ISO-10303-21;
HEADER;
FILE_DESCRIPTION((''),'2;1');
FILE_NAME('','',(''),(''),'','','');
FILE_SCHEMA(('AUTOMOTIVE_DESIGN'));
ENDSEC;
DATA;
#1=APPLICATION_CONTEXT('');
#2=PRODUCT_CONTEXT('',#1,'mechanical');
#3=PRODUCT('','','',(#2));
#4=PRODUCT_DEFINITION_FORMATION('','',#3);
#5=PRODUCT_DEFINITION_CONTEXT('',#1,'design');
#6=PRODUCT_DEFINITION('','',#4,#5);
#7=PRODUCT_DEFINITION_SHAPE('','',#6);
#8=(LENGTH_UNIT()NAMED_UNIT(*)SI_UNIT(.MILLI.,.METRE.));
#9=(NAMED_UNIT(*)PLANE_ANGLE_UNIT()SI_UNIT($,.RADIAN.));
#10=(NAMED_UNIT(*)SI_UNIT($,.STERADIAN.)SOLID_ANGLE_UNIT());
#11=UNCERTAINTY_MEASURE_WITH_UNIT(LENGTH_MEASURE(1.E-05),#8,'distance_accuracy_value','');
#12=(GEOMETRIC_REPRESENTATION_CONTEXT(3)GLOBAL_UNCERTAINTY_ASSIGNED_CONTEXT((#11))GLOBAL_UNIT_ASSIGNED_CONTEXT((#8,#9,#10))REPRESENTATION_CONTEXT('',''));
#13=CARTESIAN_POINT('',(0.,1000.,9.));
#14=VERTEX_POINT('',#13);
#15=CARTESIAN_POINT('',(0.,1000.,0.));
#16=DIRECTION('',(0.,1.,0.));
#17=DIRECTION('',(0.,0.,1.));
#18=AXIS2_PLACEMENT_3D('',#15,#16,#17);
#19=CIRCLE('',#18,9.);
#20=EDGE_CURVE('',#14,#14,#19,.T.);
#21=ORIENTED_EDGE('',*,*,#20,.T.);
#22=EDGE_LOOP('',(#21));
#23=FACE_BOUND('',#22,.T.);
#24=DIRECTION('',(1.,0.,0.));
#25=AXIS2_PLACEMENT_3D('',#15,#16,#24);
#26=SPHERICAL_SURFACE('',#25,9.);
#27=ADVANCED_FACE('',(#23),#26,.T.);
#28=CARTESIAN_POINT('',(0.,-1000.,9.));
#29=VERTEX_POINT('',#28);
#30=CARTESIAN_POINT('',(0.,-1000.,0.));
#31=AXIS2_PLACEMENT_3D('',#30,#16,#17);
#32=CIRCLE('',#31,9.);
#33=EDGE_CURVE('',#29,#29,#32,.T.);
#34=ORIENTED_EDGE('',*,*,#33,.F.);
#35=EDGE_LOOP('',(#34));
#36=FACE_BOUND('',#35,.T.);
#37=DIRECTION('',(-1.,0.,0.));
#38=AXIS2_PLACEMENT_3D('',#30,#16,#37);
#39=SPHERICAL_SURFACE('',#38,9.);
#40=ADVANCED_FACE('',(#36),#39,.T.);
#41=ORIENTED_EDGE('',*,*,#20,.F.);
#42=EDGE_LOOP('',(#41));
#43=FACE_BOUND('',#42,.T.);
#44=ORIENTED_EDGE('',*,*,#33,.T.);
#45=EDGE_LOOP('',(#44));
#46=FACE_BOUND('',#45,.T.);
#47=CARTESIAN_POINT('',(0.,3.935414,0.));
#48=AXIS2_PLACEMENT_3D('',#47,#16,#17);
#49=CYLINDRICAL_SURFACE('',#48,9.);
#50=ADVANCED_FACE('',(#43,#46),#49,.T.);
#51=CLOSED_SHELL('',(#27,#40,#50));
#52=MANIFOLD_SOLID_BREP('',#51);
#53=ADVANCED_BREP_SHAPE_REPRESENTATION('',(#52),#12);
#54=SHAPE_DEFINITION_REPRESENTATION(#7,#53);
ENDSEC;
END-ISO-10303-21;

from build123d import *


with BuildPart() as part:
    # Sketch3 → Revolve4 (revolve)
    with BuildSketch(Plane.XY, mode=Mode.PRIVATE) as revolve4_sk:
        with BuildLine():
            Line((-9, 1000), (-9, -1000))
            ThreePointArc((-9, -1000), (-6.363961031, -1006.363961031), (0, -1009))
            Line((0, -1009), (0, 1009))
            ThreePointArc((0, 1009), (-6.363961031, 1006.363961031), (-9, 1000))
        make_face()
    revolve(revolve4_sk.sketch.rotate(Axis((0, 3.935413525, 0), (0, -1, 0)), 270), axis=Axis((0, 3.935413525, 0), (0, -1, 0)))


solid = part.part
